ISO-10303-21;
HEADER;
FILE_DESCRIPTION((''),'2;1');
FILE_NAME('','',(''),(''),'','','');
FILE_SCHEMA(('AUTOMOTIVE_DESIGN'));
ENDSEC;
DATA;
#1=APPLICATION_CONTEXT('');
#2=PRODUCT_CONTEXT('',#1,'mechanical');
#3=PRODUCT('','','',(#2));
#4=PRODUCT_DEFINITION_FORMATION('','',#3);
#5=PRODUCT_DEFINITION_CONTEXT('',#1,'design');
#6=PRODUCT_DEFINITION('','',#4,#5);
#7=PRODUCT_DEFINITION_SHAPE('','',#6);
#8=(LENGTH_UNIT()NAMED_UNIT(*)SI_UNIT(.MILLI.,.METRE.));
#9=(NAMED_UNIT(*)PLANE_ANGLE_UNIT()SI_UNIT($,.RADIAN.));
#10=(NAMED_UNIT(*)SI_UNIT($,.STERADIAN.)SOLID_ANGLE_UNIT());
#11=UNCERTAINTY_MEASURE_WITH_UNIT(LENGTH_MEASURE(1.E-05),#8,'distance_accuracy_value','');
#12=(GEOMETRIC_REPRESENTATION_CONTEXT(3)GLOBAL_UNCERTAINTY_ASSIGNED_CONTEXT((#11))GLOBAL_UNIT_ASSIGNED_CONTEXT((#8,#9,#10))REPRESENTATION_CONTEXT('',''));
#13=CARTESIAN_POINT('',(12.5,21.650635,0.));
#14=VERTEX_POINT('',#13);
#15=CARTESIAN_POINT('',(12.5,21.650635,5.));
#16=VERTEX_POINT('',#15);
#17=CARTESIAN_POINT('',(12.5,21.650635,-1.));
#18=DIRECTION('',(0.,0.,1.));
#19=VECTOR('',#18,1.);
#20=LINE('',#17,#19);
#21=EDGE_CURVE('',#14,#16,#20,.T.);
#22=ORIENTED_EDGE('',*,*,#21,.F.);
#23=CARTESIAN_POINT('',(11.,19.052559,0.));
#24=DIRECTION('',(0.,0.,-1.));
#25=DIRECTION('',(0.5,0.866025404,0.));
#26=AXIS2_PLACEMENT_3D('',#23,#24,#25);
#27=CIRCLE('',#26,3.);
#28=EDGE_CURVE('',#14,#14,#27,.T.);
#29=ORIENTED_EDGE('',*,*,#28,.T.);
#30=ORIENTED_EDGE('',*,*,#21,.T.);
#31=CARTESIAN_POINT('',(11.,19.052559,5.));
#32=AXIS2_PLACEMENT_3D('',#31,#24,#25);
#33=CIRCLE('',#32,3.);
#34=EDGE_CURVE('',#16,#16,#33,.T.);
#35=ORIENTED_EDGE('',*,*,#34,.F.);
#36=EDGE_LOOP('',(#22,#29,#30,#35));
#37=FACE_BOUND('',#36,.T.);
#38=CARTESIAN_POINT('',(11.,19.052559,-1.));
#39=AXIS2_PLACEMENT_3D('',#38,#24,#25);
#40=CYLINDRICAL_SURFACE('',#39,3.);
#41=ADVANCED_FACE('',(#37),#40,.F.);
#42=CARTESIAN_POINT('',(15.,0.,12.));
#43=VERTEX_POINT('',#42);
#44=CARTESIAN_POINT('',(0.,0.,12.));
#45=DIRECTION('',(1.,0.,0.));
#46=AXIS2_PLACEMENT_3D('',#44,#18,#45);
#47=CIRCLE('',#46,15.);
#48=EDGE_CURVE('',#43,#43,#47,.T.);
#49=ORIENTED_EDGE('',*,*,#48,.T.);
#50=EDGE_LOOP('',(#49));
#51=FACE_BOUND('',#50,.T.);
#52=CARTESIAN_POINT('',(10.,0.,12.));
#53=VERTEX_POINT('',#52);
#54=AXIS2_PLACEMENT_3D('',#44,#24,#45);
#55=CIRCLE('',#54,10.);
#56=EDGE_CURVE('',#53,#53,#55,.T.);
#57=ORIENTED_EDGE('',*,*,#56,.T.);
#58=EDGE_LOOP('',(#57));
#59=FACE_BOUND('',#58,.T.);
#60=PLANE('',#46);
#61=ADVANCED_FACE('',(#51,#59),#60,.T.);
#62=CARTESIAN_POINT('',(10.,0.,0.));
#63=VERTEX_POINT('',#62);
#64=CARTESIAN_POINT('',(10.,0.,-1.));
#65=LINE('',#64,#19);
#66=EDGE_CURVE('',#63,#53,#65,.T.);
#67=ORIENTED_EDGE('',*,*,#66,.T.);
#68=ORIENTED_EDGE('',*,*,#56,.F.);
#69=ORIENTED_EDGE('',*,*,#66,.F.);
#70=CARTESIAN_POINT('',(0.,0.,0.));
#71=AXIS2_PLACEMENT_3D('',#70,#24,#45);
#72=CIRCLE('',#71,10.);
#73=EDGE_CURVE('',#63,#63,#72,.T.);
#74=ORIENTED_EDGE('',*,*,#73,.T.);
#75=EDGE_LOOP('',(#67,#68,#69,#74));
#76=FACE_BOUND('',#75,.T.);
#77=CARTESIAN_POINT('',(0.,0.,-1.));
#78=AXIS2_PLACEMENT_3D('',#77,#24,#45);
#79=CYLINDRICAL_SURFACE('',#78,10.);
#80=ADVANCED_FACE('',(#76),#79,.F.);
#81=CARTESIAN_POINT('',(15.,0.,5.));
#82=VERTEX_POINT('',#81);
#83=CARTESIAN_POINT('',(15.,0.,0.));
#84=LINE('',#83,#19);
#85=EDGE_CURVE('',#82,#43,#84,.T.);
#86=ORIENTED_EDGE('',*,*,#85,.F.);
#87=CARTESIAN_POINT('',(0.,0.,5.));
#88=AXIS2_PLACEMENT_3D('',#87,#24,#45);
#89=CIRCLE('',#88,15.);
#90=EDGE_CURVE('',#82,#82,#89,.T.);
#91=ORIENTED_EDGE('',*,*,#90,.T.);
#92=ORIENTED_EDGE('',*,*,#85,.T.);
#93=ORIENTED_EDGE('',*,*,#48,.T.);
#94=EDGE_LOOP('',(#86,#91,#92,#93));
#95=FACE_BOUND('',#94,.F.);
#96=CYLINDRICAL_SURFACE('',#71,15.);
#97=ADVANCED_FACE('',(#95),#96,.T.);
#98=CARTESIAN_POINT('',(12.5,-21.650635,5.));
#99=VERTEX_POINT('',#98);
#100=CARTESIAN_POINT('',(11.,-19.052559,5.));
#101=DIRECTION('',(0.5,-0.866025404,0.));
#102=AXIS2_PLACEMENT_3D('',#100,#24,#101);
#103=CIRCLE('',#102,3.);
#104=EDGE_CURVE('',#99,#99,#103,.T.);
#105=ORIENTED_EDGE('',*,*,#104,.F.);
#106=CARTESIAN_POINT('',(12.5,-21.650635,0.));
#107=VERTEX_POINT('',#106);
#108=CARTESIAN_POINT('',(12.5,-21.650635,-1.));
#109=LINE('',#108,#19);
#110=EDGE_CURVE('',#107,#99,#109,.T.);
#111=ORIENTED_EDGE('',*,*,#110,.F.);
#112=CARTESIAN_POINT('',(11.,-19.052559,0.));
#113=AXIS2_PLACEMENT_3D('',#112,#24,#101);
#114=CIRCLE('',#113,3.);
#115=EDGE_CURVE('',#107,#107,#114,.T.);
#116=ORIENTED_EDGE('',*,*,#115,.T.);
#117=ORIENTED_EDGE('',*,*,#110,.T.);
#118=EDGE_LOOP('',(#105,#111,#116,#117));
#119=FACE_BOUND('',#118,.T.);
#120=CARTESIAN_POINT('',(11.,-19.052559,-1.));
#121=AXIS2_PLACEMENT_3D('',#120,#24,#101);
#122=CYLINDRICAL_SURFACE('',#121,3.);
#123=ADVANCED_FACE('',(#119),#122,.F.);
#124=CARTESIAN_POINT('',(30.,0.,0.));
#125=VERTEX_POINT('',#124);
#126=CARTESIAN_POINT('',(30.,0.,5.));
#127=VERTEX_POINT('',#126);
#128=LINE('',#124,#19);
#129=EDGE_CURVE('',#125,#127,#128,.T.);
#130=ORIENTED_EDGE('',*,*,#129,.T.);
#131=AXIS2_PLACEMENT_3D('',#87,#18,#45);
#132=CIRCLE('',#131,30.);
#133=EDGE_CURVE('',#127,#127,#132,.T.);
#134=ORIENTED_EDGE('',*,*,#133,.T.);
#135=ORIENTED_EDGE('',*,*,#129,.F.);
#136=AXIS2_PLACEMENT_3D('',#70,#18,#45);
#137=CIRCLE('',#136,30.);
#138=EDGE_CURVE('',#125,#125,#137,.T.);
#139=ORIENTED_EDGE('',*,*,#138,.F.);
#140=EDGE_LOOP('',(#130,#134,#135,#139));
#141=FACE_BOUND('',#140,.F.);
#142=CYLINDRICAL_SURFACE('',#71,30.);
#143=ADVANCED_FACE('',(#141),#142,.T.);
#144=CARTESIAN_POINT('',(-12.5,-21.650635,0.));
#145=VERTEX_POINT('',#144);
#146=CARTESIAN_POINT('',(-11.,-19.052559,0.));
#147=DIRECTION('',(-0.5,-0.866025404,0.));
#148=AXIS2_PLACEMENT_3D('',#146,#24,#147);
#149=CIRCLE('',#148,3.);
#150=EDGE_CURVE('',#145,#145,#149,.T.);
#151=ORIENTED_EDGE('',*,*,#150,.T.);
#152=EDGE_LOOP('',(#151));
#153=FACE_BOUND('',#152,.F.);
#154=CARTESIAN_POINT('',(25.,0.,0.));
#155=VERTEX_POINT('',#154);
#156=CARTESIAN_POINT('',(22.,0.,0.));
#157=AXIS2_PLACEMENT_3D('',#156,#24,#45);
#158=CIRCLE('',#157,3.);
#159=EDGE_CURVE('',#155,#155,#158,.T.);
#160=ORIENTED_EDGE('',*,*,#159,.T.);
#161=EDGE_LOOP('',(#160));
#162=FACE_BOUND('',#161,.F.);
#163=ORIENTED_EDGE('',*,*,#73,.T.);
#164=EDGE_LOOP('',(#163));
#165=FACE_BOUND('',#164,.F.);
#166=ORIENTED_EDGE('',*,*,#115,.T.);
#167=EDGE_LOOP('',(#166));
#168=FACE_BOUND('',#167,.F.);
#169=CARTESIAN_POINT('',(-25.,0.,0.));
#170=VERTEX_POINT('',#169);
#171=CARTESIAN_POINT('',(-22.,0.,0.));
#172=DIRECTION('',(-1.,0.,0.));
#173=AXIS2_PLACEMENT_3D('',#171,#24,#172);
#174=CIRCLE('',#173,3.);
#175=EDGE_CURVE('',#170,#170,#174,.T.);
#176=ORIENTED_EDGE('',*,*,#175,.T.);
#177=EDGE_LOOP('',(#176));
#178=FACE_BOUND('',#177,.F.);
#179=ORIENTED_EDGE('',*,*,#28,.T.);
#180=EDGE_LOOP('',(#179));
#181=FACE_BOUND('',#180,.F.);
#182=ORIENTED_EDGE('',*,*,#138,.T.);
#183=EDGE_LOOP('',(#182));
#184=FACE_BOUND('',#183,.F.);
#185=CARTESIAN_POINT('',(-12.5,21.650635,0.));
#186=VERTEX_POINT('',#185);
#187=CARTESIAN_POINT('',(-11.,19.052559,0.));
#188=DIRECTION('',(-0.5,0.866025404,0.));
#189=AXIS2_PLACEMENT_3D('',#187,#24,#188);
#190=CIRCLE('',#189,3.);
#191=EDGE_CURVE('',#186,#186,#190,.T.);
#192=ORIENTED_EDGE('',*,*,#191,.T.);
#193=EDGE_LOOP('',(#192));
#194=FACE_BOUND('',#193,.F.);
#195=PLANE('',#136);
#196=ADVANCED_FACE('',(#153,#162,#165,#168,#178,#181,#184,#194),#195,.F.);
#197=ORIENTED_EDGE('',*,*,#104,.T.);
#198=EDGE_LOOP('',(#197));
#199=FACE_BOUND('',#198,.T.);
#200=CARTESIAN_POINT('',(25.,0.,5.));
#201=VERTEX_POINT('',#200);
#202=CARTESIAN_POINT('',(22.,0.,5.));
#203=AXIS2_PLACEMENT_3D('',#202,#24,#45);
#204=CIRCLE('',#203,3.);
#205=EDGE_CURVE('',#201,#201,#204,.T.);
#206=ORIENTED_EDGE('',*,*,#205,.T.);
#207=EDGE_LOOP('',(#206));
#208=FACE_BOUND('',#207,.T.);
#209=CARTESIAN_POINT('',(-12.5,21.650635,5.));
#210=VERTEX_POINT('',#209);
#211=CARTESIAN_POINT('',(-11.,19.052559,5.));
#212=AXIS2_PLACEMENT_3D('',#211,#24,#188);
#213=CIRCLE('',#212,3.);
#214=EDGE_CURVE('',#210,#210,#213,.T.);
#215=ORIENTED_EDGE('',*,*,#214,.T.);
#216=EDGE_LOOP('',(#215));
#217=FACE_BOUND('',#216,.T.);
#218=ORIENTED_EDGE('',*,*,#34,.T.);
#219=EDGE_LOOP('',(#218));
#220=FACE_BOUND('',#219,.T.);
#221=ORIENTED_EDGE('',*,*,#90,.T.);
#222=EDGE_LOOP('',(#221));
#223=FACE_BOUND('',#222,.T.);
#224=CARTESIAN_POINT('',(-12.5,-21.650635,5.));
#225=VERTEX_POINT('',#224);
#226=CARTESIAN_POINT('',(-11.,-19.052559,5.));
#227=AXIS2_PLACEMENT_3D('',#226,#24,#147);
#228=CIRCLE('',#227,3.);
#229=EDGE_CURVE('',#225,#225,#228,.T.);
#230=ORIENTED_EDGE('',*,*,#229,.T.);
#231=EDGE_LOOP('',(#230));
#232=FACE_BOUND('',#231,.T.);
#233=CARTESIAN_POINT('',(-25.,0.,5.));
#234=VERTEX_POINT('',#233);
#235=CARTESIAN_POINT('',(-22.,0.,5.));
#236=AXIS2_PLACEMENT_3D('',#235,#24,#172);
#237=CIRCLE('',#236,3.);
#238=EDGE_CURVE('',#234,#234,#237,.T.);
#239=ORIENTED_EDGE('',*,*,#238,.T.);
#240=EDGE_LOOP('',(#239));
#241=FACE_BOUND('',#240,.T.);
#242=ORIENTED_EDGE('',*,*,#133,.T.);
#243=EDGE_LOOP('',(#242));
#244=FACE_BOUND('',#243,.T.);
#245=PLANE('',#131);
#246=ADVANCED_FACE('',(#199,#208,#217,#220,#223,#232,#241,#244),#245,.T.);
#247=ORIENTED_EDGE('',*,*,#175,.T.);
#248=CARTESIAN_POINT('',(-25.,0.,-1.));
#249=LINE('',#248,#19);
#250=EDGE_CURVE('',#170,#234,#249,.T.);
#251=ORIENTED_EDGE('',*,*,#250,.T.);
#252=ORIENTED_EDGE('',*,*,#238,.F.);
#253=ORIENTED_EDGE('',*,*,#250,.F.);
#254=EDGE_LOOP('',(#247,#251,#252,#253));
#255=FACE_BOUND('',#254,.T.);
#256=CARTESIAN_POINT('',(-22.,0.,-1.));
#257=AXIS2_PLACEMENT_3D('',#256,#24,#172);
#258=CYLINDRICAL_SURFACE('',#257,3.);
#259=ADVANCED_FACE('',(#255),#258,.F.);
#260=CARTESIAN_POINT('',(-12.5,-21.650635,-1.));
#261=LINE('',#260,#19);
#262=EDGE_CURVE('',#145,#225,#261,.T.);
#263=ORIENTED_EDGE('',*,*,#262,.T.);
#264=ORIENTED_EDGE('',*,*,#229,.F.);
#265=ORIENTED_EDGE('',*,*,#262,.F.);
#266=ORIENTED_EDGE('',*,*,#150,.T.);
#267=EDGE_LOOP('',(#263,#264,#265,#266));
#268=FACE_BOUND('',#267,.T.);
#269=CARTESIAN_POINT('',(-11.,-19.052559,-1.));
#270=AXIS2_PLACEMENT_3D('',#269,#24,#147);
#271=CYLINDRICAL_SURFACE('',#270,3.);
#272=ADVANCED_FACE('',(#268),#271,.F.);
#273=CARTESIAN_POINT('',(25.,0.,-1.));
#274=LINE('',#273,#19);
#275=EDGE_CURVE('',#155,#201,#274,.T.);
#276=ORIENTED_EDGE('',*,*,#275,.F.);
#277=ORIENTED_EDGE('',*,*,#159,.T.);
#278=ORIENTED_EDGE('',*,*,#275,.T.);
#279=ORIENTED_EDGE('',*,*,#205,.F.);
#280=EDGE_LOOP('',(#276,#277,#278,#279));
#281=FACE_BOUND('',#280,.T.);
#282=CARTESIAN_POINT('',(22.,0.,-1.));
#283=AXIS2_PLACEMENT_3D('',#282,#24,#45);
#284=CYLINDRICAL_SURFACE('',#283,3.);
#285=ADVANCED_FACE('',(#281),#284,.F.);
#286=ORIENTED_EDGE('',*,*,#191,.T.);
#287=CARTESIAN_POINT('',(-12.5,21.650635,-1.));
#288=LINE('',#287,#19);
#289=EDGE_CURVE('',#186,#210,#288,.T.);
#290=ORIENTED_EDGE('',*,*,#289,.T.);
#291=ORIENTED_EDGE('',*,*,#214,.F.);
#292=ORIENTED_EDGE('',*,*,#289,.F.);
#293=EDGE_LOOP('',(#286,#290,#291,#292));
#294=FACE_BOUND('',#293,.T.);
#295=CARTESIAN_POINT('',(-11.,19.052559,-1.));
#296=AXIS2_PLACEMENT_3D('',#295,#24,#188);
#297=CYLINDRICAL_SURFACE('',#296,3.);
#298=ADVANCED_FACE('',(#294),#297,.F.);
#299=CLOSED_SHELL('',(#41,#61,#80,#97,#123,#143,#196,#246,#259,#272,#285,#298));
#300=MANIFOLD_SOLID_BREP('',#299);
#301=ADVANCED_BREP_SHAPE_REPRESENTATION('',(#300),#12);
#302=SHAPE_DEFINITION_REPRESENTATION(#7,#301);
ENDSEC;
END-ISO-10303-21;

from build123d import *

# Parameters (mm, degrees)
CYLINDER003_R     = 3
CYLINDER003_DEPTH = 10
ARRAY_COUNT       = 6
CYLINDER002_R     = 10
CYLINDER002_DEPTH = 30
CYLINDER001_R     = 15
CYLINDER001_DEPTH = 12
CYLINDER_R        = 30
CYLINDER_DEPTH    = 5


with BuildPart() as array:
    # Cylinder003 → Cylinder003 (new body)
    with BuildSketch(Plane(origin=(22, 0, -1), x_dir=(1, 0, 0), z_dir=(0, 0, 1))):
        Circle(CYLINDER003_R)
    extrude(amount=CYLINDER003_DEPTH)

    # Array: Array ×6 about axis
    array_axis = Axis((0, 0, 0), (0, 0, 1))


with BuildPart() as array_1:
    add(array.part)
    for i in range(1, ARRAY_COUNT):
        add(array.part.rotate(array_axis, i * 360 / ARRAY_COUNT))


with BuildPart() as tub_interior:
    # Cylinder002 → Cylinder002 (new body)
    with BuildSketch(Plane.XY.offset(-1)):
        Circle(CYLINDER002_R)
    extrude(amount=CYLINDER002_DEPTH)


with BuildPart() as tub_exterior:
    # Cylinder001 → Cylinder001 (new body)
    with BuildSketch(Plane.XY):
        Circle(CYLINDER001_R)
    extrude(amount=CYLINDER001_DEPTH)


with BuildPart() as cut001:
    # Cylinder → Cylinder (new body)
    with BuildSketch(Plane.XY):
        Circle(CYLINDER_R)
    extrude(amount=CYLINDER_DEPTH)

    # Fusion: union tub_exterior
    add(tub_exterior.part)

    # Cut: cut tub_interior
    add(tub_interior.part, mode=Mode.SUBTRACT)

    # Cut001: cut Array
    add(array_1.part, mode=Mode.SUBTRACT)


solid = cut001.part
